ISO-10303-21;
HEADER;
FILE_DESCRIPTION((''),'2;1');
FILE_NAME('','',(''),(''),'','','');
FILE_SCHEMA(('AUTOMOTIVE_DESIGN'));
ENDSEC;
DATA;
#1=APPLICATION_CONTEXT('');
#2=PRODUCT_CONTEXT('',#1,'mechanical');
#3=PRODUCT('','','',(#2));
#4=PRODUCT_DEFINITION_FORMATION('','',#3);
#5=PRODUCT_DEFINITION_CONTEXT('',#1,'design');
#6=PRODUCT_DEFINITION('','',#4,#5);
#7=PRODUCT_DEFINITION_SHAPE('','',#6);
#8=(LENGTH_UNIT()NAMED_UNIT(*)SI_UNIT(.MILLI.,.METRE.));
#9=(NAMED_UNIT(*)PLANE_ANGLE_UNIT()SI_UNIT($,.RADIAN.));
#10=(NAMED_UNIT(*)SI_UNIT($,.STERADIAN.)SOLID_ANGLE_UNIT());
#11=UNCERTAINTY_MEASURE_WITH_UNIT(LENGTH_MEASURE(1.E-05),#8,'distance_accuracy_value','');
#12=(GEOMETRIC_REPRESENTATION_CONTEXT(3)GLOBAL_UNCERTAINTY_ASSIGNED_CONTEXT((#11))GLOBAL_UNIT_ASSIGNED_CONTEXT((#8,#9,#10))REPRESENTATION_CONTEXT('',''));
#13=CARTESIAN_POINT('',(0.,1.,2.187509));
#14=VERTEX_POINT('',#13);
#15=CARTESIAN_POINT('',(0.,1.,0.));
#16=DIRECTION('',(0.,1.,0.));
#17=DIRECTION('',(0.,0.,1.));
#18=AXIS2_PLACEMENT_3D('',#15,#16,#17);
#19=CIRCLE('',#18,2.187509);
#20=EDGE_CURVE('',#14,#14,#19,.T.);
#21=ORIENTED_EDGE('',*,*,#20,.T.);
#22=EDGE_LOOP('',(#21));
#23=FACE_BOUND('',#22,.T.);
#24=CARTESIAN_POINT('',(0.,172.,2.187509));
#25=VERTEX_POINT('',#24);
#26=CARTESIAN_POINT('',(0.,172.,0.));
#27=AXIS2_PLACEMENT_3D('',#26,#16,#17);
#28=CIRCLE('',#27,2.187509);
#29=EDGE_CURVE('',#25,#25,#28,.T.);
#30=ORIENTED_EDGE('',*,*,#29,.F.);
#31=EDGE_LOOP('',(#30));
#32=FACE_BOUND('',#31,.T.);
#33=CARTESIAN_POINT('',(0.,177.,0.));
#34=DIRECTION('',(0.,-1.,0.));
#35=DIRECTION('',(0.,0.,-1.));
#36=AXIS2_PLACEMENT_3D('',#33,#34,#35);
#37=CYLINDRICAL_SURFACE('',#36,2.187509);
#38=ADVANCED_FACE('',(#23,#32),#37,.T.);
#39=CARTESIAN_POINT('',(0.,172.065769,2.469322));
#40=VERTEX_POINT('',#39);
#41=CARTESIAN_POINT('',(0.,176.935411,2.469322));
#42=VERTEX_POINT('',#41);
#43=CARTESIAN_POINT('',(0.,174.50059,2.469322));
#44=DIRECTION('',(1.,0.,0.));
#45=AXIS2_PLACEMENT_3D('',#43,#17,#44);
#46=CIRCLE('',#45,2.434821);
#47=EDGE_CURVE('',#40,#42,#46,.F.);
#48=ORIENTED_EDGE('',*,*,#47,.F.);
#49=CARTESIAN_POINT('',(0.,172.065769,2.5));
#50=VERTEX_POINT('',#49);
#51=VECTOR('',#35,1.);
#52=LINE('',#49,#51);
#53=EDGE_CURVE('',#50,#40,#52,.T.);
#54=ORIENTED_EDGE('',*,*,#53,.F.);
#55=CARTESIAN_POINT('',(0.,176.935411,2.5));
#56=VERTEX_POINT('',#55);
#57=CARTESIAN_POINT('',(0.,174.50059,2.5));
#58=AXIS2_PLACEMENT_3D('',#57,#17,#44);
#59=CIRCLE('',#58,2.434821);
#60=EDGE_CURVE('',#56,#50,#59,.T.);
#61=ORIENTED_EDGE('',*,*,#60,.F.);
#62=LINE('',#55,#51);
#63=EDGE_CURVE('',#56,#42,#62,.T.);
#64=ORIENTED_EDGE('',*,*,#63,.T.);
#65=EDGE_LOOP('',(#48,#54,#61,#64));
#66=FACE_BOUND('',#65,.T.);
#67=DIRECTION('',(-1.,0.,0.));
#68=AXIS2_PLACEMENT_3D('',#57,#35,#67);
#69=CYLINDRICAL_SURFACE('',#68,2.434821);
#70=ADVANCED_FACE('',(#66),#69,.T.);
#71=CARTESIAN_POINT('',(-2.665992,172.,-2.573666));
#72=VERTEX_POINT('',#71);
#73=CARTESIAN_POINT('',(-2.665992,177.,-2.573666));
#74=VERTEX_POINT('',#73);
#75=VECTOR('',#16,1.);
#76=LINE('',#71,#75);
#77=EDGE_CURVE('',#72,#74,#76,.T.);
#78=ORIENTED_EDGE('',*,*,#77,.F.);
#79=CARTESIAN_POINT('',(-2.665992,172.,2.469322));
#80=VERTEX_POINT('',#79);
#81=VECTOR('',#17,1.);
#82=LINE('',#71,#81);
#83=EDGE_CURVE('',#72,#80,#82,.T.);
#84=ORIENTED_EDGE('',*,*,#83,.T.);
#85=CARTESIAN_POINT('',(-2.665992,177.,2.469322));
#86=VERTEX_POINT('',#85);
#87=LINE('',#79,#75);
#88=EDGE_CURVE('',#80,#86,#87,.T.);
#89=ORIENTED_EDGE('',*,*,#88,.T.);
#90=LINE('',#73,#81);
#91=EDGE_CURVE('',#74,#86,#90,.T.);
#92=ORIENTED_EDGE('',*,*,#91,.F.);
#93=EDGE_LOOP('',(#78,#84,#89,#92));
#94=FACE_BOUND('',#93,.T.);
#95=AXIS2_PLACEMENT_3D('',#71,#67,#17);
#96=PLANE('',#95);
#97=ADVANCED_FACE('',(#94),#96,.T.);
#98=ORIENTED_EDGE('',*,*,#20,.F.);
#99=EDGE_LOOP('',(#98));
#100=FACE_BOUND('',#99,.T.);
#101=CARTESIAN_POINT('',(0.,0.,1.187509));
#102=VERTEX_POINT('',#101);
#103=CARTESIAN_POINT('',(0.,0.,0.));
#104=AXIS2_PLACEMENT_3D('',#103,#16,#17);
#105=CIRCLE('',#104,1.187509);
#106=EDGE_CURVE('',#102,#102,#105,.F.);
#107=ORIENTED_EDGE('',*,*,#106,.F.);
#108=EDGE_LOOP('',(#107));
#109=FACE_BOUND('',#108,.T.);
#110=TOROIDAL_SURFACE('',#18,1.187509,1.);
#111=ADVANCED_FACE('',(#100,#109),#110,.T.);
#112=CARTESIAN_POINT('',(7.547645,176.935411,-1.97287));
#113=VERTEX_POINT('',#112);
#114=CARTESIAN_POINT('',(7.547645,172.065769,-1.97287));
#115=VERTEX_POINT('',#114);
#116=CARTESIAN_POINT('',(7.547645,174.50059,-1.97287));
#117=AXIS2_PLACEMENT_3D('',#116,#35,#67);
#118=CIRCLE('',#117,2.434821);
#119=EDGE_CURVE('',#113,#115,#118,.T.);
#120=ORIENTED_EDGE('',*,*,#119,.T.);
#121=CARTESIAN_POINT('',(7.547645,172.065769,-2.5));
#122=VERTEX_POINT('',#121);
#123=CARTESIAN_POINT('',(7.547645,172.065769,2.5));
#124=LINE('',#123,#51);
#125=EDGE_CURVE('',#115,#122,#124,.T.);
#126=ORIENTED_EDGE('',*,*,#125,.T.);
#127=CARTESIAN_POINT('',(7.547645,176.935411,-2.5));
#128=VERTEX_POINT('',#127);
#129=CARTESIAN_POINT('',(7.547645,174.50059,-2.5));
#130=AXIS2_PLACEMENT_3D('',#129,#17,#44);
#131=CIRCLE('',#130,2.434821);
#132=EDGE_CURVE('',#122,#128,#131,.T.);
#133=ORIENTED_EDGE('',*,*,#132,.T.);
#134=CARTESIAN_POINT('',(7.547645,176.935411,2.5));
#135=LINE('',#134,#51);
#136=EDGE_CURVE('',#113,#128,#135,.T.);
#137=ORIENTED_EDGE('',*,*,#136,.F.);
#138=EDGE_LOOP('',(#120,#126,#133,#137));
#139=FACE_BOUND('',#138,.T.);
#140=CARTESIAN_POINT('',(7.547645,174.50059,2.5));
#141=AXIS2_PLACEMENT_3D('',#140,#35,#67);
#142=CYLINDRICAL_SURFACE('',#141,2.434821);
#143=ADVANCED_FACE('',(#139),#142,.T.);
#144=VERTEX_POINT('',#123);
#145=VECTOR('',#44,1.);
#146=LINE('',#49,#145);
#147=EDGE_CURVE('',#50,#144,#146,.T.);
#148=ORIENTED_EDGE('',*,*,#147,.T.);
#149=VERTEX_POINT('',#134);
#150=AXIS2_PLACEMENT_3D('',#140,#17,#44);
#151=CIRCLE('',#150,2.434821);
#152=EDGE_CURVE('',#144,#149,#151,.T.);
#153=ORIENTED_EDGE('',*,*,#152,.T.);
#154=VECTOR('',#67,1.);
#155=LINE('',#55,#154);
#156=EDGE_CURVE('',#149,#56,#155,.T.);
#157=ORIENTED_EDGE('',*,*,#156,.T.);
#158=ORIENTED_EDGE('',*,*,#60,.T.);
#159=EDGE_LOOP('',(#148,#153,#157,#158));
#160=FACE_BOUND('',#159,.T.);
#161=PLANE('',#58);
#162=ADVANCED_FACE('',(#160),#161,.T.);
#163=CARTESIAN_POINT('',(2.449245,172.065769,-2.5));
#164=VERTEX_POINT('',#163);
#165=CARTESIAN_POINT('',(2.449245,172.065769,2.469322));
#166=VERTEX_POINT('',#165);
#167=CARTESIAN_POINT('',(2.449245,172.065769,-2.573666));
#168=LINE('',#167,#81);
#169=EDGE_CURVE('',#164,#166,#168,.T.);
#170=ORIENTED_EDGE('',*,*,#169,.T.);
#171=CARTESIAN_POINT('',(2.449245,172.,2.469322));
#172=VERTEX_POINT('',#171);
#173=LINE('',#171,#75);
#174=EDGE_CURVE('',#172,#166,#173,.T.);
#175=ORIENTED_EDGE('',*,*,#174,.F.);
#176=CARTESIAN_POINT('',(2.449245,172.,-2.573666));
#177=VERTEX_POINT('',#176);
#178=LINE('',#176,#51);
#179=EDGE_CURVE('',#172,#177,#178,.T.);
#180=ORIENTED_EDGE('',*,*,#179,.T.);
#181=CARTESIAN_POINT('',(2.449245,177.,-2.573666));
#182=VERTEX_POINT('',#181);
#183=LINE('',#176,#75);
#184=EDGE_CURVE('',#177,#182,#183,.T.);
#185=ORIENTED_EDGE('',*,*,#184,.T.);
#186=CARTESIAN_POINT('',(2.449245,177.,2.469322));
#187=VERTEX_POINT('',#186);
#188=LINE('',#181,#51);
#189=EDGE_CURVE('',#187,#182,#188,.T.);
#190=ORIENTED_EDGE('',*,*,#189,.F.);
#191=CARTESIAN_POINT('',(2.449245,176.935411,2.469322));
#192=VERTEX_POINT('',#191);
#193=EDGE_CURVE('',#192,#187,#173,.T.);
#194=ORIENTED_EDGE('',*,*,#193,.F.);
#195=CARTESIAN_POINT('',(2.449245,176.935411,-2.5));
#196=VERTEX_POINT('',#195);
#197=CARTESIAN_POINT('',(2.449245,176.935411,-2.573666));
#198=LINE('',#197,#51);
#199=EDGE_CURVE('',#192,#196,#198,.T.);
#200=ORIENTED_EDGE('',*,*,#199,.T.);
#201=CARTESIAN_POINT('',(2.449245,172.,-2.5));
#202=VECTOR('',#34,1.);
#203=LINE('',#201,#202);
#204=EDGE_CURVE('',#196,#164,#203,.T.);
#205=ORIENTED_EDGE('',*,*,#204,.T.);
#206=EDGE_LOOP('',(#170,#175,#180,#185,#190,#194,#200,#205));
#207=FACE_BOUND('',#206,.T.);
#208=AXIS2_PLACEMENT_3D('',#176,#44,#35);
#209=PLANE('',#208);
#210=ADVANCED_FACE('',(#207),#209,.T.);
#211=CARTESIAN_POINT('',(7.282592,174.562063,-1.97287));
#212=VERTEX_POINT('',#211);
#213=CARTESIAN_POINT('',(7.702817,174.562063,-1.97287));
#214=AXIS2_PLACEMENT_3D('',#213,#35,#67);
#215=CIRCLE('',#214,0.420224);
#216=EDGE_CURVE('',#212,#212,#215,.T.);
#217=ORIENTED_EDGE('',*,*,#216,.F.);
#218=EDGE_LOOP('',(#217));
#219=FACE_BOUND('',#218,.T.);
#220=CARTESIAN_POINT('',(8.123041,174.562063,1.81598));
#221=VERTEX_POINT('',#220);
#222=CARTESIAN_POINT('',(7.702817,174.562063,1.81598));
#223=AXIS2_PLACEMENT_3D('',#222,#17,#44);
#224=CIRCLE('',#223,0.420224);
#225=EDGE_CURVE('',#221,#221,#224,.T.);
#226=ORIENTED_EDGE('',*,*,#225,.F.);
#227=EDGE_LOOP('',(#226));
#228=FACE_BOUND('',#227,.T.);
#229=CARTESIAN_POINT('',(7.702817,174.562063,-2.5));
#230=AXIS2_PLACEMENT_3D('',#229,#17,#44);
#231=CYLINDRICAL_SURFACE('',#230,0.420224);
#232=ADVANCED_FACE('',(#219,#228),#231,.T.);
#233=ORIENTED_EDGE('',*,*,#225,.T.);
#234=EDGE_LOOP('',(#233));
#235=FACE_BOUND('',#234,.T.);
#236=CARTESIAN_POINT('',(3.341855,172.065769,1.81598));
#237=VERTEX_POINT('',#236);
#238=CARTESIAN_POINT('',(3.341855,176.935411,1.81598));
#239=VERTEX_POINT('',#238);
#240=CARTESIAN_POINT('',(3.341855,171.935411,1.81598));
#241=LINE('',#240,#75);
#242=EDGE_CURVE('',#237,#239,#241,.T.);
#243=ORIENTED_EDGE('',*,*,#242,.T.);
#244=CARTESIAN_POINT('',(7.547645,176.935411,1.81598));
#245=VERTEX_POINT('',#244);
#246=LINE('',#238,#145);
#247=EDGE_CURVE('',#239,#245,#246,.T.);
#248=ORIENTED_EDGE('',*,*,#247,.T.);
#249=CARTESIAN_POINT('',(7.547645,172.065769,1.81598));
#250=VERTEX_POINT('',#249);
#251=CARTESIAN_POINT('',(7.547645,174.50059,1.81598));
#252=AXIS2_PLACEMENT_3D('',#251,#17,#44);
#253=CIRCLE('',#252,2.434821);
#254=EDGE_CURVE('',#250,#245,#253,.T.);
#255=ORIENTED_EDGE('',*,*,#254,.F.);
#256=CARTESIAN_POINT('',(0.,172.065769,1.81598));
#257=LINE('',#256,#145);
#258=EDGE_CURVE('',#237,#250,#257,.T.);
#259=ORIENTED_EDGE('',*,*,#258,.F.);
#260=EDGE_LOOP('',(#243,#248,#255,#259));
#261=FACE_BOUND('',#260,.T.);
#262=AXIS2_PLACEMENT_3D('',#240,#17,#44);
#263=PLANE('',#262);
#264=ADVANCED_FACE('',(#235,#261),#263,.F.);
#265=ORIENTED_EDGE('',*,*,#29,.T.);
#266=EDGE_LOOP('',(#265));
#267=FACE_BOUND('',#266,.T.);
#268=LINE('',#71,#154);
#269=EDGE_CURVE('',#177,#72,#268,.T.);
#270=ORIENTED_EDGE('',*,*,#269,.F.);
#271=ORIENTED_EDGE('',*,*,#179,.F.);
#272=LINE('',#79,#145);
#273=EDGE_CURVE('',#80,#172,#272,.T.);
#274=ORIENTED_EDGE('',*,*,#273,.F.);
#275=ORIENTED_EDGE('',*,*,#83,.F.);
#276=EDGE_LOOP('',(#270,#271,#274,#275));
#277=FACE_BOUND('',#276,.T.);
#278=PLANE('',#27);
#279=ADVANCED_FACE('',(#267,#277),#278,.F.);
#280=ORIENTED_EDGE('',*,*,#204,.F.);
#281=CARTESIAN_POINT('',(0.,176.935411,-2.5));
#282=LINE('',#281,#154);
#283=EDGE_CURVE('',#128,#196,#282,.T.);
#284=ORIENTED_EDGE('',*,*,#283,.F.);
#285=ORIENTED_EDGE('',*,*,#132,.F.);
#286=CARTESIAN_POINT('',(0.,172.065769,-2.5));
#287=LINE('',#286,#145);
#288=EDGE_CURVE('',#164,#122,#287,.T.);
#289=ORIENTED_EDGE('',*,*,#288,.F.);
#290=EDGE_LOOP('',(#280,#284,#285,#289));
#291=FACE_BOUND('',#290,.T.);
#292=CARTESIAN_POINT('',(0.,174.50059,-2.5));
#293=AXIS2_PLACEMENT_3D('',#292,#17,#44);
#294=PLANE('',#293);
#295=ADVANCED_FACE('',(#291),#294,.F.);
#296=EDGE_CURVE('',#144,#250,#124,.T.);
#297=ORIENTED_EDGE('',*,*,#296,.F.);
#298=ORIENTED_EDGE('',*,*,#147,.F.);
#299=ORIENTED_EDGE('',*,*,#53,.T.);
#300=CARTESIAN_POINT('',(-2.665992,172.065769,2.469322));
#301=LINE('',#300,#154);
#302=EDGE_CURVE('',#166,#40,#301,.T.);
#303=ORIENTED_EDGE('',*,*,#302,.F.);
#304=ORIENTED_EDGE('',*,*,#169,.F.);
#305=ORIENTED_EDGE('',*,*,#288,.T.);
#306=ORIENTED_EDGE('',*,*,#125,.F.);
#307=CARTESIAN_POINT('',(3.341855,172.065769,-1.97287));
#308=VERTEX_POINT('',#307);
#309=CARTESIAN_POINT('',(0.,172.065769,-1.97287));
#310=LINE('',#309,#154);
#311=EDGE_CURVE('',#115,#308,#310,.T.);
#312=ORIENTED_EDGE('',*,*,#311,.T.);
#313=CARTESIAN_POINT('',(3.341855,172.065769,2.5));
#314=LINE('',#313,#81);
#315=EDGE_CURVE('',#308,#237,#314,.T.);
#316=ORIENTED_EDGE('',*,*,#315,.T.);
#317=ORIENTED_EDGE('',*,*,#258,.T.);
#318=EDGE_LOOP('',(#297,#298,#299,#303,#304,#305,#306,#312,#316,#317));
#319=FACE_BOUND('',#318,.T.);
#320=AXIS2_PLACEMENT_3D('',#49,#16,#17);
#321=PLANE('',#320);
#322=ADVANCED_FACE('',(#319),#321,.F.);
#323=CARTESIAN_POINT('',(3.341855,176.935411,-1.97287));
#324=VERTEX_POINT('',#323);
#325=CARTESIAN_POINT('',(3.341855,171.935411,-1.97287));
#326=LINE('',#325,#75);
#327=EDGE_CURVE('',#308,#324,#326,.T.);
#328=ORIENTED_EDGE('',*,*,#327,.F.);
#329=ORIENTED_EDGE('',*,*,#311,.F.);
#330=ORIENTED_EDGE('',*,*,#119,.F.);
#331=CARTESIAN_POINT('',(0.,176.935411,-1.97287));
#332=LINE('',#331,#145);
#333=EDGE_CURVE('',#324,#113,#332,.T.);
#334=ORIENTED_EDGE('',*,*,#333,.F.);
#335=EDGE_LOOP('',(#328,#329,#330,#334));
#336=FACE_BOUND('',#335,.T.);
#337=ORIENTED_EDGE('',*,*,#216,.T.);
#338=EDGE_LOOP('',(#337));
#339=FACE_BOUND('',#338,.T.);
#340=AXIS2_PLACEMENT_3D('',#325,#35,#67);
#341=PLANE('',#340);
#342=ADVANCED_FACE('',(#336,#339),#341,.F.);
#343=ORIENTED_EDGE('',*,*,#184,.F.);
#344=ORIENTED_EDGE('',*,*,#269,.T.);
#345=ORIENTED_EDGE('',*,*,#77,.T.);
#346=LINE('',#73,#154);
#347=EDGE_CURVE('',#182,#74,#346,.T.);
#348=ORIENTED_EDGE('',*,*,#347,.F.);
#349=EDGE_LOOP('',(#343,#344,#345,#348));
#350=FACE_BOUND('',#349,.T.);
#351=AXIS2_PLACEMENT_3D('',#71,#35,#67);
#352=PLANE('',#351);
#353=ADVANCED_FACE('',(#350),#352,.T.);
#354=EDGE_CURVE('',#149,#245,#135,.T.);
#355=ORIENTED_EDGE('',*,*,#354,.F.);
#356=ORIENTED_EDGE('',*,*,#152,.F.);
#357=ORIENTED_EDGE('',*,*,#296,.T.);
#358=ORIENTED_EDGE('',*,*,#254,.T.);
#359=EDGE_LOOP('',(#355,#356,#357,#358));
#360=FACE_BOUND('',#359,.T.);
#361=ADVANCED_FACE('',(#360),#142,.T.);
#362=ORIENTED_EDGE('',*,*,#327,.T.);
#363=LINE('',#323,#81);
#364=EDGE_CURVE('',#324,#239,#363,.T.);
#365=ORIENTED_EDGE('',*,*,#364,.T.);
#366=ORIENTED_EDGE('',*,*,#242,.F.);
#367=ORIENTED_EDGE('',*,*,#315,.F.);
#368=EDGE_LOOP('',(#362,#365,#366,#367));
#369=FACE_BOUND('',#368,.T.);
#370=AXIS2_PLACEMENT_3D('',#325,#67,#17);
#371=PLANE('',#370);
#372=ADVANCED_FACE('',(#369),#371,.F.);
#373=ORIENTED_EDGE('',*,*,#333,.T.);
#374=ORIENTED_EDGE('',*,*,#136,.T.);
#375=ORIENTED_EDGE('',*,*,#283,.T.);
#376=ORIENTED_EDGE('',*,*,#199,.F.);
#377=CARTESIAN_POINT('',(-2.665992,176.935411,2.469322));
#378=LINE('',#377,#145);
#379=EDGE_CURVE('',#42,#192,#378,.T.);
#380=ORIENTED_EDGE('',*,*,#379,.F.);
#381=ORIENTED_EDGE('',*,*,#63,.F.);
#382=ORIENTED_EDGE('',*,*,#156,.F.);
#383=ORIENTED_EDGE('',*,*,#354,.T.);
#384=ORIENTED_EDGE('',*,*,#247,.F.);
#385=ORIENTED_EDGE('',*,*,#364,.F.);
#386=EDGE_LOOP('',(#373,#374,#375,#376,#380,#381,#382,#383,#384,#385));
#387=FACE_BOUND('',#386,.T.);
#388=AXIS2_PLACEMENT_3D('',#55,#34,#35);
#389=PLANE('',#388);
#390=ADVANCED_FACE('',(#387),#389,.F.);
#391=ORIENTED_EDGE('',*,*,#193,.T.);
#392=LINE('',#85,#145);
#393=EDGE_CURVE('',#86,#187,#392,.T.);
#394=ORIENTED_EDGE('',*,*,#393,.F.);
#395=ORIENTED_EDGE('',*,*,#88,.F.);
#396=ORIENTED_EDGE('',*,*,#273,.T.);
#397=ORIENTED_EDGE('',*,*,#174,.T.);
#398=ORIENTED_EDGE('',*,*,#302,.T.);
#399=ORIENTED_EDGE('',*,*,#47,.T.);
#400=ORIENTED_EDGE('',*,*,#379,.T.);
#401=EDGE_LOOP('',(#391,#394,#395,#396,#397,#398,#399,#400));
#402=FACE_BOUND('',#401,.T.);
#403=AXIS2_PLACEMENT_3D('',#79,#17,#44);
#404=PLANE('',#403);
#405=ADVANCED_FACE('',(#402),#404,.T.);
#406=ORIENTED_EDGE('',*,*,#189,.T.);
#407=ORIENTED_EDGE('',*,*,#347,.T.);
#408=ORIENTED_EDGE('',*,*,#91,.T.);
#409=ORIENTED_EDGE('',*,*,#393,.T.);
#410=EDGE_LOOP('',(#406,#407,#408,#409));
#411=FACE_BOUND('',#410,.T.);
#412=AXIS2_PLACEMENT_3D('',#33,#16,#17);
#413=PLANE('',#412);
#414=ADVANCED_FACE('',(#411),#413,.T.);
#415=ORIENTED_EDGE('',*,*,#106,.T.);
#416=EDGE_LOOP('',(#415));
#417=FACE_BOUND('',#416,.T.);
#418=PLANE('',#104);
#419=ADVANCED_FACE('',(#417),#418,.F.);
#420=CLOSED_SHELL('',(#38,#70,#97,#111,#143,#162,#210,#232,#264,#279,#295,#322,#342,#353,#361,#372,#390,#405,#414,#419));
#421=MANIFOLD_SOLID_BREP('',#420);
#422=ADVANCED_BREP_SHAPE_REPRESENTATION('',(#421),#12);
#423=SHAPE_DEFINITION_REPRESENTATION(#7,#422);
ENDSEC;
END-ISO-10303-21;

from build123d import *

# Parameters (mm, degrees)
IZIM1_R                     = 2.187508585
Y_KSEKLIK_EKSTR_ZYON1_DEPTH = 177
RADYUS1_R                   = 1
IZIM2_W                     = 5.115236905
IZIM2_H                     = 5.042987796
Y_KSEKLIK_EKSTR_ZYON2_DEPTH = 5
Y_KSEKLIK_EKSTR_ZYON3_DEPTH = 2.5
IZIM4_W                     = 9.955982426
IZIM4_H                     = 3.788849983
KES_EKSTR_ZYON1_DEPTH       = 5
IZIM5_R                     = 0.420224292
Y_KSEKLIK_EKSTR_ZYON4_DEPTH = 5


with BuildPart() as part:
    # Çizim1 → Yükseklik-Ekstrüzyon1 (new body)
    with BuildSketch(Plane(origin=(0, 0, 0), x_dir=(1, 0, 0), z_dir=(0, 1, 0))):
        Circle(IZIM1_R)
    extrude(amount=Y_KSEKLIK_EKSTR_ZYON1_DEPTH)

    # Radyus1
    radyus1_edges = [part.edges().sort_by_distance(p)[0] for p in [
        (-2.187508585, 0, 0),
    ]]
    fillet(radyus1_edges, radius=RADYUS1_R)

    # Çizim2 → Yükseklik-Ekstrüzyon2 (add)
    with BuildSketch(Plane(origin=(0, 177, 0), x_dir=(1, 0, 0), z_dir=(0, 1, 0))):
        with Locations((-0.108373663, 0.052171697)):
            Rectangle(IZIM2_W, IZIM2_H)
    extrude(amount=-Y_KSEKLIK_EKSTR_ZYON2_DEPTH)

    # Çizim3 → Yükseklik-Ekstrüzyon3 (add, symmetric)
    with BuildSketch(Plane.XY):
        with BuildLine():
            Line((0, 176.935410542), (7.547644812, 176.935410542))
            ThreePointArc((7.547644812, 176.935410542), (9.98246541, 174.500589945), (7.547644812, 172.065769347))
            Line((7.547644812, 172.065769347), (0, 172.065769347))
            ThreePointArc((0, 172.065769347), (-2.434820598, 174.500589945), (0, 176.935410542))
        make_face()
    extrude(amount=Y_KSEKLIK_EKSTR_ZYON3_DEPTH, both=True)

    # Çizim4 → Kes-Ekstrüzyon1 (cut)
    with BuildSketch(Plane(origin=(0, 176.935410542, 0), x_dir=(1, 0, 0), z_dir=(0, 1, 0))):
        with Locations((8.319846031, 0.078445098)):
            Rectangle(IZIM4_W, IZIM4_H)
    extrude(amount=-KES_EKSTR_ZYON1_DEPTH, mode=Mode.SUBTRACT)

    # Çizim5 → Yükseklik-Ekstrüzyon4 (add)
    with BuildSketch(Plane.XY.offset(2.5)):
        with Locations((7.702816728, 174.562062813)):
            Circle(IZIM5_R)
    extrude(amount=-Y_KSEKLIK_EKSTR_ZYON4_DEPTH)


solid = part.part
